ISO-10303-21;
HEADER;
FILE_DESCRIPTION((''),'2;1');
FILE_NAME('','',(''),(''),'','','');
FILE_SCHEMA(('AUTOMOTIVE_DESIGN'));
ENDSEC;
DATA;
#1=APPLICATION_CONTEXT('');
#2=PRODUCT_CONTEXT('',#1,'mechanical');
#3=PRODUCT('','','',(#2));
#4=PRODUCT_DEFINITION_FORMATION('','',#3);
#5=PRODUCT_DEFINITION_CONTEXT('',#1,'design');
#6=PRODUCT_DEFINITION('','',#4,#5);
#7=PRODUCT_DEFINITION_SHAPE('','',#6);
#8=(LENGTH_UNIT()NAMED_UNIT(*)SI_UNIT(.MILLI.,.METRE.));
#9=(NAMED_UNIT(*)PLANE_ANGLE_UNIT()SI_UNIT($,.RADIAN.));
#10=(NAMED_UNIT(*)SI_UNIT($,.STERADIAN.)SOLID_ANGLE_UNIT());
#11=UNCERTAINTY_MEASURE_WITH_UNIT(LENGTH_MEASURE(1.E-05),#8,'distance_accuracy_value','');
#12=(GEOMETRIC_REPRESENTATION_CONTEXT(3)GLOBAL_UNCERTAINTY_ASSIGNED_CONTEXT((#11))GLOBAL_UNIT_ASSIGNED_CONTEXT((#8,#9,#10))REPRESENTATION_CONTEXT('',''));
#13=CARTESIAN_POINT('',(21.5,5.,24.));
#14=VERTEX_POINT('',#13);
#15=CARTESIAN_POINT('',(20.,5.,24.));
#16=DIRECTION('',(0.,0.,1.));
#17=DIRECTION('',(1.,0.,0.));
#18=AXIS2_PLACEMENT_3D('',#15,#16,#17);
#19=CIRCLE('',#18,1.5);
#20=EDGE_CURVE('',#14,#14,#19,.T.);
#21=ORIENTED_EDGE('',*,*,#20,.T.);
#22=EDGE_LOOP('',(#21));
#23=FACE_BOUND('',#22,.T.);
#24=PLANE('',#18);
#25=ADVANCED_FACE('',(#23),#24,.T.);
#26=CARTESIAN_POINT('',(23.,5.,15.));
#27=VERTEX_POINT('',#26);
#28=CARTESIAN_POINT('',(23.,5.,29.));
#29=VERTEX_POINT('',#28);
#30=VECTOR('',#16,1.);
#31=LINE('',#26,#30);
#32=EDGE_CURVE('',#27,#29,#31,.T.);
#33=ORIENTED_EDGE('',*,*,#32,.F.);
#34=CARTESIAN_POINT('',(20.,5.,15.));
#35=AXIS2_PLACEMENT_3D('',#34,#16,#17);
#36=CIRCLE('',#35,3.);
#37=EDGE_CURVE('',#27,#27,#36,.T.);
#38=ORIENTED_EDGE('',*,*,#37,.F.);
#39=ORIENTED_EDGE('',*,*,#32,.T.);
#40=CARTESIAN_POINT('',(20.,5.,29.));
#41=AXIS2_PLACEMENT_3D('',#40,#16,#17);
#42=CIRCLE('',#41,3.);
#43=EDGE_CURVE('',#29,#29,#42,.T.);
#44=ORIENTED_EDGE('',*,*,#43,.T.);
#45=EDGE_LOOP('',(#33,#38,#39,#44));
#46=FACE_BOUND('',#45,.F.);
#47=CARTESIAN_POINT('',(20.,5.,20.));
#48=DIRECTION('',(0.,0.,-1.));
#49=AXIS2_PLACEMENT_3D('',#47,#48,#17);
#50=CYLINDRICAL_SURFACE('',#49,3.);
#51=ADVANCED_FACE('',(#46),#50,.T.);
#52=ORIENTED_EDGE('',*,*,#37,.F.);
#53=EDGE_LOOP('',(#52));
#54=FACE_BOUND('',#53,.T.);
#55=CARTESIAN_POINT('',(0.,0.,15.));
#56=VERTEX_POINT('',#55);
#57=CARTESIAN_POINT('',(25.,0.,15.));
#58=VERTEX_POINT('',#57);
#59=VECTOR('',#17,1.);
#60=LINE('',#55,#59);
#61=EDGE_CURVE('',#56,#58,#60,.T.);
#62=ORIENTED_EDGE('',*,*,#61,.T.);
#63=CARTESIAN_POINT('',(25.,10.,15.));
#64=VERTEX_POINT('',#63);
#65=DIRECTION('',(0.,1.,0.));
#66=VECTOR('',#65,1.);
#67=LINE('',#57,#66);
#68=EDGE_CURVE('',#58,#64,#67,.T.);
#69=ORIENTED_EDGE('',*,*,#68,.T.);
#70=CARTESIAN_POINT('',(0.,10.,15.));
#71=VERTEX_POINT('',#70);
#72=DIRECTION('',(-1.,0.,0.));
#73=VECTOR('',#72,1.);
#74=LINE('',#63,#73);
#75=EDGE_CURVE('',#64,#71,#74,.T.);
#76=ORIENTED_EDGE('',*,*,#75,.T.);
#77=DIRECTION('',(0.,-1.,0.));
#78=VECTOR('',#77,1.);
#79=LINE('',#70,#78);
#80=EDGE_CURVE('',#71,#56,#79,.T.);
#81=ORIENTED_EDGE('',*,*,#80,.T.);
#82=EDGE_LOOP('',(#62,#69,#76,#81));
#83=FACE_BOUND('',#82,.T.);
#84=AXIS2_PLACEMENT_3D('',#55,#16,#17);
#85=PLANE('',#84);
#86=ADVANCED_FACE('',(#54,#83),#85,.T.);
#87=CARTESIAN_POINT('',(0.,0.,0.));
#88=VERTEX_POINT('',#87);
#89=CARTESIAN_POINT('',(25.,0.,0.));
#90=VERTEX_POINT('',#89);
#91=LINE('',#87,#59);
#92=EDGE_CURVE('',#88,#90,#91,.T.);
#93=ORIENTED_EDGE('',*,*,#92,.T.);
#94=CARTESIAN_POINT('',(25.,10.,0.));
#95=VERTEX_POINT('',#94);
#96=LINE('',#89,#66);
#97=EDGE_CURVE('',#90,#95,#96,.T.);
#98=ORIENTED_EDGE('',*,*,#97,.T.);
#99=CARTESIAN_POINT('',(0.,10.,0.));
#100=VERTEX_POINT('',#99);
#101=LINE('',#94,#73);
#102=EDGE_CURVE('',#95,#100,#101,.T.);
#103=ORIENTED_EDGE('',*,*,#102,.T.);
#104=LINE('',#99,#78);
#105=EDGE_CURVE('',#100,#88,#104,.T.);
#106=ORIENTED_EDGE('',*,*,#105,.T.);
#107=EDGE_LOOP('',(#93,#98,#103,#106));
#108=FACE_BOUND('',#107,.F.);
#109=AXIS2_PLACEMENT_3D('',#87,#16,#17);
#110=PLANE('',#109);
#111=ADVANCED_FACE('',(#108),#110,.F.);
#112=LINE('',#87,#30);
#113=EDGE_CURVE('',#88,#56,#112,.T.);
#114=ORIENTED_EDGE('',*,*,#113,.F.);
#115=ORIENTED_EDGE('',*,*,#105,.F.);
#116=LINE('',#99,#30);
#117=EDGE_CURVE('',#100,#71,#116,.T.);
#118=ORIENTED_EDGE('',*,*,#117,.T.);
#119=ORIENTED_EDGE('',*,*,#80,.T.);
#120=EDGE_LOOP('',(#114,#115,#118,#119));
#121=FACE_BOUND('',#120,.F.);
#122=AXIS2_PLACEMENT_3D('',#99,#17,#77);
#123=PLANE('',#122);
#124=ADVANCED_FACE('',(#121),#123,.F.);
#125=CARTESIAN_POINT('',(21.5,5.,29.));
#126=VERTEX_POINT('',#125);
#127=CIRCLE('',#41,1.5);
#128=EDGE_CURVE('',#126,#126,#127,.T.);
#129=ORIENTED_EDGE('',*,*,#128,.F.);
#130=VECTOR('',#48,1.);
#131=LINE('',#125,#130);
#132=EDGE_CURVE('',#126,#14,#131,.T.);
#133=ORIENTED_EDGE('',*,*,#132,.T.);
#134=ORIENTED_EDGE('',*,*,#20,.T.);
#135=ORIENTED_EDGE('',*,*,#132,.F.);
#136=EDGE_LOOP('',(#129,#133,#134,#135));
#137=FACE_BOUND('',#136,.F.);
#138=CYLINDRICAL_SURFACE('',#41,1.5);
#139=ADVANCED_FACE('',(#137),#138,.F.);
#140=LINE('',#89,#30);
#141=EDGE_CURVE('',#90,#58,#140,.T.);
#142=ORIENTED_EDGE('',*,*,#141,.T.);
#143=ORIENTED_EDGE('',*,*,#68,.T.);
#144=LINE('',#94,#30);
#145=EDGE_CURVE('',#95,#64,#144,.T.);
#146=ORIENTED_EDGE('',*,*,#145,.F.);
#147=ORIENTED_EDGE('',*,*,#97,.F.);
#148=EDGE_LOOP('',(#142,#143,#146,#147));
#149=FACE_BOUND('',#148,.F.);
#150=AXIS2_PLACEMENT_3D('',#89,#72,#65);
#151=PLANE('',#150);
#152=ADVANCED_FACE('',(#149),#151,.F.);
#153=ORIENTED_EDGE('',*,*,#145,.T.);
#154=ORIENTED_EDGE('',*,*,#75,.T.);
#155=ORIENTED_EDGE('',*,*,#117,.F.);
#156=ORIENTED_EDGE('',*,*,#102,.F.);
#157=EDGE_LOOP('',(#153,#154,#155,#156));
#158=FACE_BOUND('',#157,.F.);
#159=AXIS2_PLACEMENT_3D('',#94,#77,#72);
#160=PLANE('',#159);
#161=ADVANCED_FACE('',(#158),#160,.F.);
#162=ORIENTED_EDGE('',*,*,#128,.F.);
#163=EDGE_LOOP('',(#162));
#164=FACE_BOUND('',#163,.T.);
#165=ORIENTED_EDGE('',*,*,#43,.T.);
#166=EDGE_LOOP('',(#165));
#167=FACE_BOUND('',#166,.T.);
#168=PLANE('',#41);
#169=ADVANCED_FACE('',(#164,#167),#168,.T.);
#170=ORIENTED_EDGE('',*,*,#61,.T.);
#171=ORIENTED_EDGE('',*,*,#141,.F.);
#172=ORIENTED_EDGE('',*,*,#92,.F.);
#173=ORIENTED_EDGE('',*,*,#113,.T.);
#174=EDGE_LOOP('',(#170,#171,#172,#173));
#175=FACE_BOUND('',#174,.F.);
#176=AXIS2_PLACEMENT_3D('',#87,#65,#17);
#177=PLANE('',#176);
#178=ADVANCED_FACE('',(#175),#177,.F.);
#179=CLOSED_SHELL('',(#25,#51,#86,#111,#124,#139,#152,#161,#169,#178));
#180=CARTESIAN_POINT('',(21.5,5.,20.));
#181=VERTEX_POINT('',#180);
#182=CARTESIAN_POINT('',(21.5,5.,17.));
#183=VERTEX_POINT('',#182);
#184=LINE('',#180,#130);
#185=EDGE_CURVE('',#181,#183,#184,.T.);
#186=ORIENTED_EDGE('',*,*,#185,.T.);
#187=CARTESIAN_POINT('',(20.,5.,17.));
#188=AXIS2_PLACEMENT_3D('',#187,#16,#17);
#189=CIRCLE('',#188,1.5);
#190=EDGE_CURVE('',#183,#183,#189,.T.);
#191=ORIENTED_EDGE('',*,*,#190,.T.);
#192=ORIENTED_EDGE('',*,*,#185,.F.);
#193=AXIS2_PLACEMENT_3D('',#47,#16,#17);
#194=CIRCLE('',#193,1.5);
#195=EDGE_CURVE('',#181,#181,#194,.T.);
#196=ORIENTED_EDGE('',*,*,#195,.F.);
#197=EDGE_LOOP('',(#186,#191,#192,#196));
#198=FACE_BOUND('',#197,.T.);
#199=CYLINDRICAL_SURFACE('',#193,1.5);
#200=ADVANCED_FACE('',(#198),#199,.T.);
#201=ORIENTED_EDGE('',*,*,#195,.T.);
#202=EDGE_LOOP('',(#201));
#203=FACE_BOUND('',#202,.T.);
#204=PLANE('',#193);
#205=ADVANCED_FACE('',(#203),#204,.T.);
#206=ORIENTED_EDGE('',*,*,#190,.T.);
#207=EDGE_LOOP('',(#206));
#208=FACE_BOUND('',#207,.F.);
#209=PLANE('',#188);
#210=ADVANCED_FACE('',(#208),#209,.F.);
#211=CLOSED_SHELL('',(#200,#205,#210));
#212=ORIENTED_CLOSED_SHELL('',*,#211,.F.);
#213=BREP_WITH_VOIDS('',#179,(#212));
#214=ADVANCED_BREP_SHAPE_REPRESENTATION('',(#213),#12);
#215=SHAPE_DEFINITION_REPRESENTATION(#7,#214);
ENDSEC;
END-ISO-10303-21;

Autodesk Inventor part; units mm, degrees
ref_plane "YZ Plane" through (0, 0, 0) normal (1, 0, 0) x (0, 1, 0)
ref_plane "XZ Plane" through (0, 0, 0) normal (0, 1, 0) x (-1, 0, 0)
ref_plane "XY Plane" through (0, 0, 0) normal (0, 0, 1) x (1, 0, 0)
sketch "Sketch1" plane through (0, 0, 0) normal (0, 0, 1) x (1, 0, 0)
  line L0 (0, 0) -> (25, 0)
  line L1 (25, 0) -> (25, 10)
  line L2 (25, 10) -> (0, 10)
  line L3 (0, 10) -> (0, 0)
  dimension "d0" = 25
  dimension "d1" = 10
extrude "Extrusion1" add sketch "Sketch1" along normal blind 15
sketch "Sketch2" plane through (0, 0, 15) normal (0, 0, 1) x (1, 0, 0)
  circle A0 centre (20, 5) radius 3
  point P0 (0, 0)
  dimension "d4" = 6
extrude "Extrusion2" add sketch "Sketch2" along normal blind 5
sketch "Sketch3" plane through (20, 5, 20) normal (0, 0, 1) x (1, 0, 0)
  circle A0 centre (0, 0) radius 1.5
  point P0 (-20, -5)
  dimension "d7" = 3
extrude "Extrusion3" cut sketch "Sketch3" against normal blind 3
sketch "Sketch4" plane through (20, 5, 20) normal (0, 0, 1) x (1, 0, 0)
  circle A0 centre (0, 0) radius 3
  point P0 (-20, -5)
extrude "Extrusion4" add sketch "Sketch4" along normal blind 9
sketch "Sketch5" plane through (20, 5, 29) normal (0, 0, 1) x (1, 0, 0)
  circle A0 centre (0, 0) radius 1.5 projected
  circle A1 centre (0, 0) radius 1.5
  point P0 (-20, -5)
extrude "Extrusion5" cut sketch "Sketch5" against normal blind 5
properties part number "servo part"
